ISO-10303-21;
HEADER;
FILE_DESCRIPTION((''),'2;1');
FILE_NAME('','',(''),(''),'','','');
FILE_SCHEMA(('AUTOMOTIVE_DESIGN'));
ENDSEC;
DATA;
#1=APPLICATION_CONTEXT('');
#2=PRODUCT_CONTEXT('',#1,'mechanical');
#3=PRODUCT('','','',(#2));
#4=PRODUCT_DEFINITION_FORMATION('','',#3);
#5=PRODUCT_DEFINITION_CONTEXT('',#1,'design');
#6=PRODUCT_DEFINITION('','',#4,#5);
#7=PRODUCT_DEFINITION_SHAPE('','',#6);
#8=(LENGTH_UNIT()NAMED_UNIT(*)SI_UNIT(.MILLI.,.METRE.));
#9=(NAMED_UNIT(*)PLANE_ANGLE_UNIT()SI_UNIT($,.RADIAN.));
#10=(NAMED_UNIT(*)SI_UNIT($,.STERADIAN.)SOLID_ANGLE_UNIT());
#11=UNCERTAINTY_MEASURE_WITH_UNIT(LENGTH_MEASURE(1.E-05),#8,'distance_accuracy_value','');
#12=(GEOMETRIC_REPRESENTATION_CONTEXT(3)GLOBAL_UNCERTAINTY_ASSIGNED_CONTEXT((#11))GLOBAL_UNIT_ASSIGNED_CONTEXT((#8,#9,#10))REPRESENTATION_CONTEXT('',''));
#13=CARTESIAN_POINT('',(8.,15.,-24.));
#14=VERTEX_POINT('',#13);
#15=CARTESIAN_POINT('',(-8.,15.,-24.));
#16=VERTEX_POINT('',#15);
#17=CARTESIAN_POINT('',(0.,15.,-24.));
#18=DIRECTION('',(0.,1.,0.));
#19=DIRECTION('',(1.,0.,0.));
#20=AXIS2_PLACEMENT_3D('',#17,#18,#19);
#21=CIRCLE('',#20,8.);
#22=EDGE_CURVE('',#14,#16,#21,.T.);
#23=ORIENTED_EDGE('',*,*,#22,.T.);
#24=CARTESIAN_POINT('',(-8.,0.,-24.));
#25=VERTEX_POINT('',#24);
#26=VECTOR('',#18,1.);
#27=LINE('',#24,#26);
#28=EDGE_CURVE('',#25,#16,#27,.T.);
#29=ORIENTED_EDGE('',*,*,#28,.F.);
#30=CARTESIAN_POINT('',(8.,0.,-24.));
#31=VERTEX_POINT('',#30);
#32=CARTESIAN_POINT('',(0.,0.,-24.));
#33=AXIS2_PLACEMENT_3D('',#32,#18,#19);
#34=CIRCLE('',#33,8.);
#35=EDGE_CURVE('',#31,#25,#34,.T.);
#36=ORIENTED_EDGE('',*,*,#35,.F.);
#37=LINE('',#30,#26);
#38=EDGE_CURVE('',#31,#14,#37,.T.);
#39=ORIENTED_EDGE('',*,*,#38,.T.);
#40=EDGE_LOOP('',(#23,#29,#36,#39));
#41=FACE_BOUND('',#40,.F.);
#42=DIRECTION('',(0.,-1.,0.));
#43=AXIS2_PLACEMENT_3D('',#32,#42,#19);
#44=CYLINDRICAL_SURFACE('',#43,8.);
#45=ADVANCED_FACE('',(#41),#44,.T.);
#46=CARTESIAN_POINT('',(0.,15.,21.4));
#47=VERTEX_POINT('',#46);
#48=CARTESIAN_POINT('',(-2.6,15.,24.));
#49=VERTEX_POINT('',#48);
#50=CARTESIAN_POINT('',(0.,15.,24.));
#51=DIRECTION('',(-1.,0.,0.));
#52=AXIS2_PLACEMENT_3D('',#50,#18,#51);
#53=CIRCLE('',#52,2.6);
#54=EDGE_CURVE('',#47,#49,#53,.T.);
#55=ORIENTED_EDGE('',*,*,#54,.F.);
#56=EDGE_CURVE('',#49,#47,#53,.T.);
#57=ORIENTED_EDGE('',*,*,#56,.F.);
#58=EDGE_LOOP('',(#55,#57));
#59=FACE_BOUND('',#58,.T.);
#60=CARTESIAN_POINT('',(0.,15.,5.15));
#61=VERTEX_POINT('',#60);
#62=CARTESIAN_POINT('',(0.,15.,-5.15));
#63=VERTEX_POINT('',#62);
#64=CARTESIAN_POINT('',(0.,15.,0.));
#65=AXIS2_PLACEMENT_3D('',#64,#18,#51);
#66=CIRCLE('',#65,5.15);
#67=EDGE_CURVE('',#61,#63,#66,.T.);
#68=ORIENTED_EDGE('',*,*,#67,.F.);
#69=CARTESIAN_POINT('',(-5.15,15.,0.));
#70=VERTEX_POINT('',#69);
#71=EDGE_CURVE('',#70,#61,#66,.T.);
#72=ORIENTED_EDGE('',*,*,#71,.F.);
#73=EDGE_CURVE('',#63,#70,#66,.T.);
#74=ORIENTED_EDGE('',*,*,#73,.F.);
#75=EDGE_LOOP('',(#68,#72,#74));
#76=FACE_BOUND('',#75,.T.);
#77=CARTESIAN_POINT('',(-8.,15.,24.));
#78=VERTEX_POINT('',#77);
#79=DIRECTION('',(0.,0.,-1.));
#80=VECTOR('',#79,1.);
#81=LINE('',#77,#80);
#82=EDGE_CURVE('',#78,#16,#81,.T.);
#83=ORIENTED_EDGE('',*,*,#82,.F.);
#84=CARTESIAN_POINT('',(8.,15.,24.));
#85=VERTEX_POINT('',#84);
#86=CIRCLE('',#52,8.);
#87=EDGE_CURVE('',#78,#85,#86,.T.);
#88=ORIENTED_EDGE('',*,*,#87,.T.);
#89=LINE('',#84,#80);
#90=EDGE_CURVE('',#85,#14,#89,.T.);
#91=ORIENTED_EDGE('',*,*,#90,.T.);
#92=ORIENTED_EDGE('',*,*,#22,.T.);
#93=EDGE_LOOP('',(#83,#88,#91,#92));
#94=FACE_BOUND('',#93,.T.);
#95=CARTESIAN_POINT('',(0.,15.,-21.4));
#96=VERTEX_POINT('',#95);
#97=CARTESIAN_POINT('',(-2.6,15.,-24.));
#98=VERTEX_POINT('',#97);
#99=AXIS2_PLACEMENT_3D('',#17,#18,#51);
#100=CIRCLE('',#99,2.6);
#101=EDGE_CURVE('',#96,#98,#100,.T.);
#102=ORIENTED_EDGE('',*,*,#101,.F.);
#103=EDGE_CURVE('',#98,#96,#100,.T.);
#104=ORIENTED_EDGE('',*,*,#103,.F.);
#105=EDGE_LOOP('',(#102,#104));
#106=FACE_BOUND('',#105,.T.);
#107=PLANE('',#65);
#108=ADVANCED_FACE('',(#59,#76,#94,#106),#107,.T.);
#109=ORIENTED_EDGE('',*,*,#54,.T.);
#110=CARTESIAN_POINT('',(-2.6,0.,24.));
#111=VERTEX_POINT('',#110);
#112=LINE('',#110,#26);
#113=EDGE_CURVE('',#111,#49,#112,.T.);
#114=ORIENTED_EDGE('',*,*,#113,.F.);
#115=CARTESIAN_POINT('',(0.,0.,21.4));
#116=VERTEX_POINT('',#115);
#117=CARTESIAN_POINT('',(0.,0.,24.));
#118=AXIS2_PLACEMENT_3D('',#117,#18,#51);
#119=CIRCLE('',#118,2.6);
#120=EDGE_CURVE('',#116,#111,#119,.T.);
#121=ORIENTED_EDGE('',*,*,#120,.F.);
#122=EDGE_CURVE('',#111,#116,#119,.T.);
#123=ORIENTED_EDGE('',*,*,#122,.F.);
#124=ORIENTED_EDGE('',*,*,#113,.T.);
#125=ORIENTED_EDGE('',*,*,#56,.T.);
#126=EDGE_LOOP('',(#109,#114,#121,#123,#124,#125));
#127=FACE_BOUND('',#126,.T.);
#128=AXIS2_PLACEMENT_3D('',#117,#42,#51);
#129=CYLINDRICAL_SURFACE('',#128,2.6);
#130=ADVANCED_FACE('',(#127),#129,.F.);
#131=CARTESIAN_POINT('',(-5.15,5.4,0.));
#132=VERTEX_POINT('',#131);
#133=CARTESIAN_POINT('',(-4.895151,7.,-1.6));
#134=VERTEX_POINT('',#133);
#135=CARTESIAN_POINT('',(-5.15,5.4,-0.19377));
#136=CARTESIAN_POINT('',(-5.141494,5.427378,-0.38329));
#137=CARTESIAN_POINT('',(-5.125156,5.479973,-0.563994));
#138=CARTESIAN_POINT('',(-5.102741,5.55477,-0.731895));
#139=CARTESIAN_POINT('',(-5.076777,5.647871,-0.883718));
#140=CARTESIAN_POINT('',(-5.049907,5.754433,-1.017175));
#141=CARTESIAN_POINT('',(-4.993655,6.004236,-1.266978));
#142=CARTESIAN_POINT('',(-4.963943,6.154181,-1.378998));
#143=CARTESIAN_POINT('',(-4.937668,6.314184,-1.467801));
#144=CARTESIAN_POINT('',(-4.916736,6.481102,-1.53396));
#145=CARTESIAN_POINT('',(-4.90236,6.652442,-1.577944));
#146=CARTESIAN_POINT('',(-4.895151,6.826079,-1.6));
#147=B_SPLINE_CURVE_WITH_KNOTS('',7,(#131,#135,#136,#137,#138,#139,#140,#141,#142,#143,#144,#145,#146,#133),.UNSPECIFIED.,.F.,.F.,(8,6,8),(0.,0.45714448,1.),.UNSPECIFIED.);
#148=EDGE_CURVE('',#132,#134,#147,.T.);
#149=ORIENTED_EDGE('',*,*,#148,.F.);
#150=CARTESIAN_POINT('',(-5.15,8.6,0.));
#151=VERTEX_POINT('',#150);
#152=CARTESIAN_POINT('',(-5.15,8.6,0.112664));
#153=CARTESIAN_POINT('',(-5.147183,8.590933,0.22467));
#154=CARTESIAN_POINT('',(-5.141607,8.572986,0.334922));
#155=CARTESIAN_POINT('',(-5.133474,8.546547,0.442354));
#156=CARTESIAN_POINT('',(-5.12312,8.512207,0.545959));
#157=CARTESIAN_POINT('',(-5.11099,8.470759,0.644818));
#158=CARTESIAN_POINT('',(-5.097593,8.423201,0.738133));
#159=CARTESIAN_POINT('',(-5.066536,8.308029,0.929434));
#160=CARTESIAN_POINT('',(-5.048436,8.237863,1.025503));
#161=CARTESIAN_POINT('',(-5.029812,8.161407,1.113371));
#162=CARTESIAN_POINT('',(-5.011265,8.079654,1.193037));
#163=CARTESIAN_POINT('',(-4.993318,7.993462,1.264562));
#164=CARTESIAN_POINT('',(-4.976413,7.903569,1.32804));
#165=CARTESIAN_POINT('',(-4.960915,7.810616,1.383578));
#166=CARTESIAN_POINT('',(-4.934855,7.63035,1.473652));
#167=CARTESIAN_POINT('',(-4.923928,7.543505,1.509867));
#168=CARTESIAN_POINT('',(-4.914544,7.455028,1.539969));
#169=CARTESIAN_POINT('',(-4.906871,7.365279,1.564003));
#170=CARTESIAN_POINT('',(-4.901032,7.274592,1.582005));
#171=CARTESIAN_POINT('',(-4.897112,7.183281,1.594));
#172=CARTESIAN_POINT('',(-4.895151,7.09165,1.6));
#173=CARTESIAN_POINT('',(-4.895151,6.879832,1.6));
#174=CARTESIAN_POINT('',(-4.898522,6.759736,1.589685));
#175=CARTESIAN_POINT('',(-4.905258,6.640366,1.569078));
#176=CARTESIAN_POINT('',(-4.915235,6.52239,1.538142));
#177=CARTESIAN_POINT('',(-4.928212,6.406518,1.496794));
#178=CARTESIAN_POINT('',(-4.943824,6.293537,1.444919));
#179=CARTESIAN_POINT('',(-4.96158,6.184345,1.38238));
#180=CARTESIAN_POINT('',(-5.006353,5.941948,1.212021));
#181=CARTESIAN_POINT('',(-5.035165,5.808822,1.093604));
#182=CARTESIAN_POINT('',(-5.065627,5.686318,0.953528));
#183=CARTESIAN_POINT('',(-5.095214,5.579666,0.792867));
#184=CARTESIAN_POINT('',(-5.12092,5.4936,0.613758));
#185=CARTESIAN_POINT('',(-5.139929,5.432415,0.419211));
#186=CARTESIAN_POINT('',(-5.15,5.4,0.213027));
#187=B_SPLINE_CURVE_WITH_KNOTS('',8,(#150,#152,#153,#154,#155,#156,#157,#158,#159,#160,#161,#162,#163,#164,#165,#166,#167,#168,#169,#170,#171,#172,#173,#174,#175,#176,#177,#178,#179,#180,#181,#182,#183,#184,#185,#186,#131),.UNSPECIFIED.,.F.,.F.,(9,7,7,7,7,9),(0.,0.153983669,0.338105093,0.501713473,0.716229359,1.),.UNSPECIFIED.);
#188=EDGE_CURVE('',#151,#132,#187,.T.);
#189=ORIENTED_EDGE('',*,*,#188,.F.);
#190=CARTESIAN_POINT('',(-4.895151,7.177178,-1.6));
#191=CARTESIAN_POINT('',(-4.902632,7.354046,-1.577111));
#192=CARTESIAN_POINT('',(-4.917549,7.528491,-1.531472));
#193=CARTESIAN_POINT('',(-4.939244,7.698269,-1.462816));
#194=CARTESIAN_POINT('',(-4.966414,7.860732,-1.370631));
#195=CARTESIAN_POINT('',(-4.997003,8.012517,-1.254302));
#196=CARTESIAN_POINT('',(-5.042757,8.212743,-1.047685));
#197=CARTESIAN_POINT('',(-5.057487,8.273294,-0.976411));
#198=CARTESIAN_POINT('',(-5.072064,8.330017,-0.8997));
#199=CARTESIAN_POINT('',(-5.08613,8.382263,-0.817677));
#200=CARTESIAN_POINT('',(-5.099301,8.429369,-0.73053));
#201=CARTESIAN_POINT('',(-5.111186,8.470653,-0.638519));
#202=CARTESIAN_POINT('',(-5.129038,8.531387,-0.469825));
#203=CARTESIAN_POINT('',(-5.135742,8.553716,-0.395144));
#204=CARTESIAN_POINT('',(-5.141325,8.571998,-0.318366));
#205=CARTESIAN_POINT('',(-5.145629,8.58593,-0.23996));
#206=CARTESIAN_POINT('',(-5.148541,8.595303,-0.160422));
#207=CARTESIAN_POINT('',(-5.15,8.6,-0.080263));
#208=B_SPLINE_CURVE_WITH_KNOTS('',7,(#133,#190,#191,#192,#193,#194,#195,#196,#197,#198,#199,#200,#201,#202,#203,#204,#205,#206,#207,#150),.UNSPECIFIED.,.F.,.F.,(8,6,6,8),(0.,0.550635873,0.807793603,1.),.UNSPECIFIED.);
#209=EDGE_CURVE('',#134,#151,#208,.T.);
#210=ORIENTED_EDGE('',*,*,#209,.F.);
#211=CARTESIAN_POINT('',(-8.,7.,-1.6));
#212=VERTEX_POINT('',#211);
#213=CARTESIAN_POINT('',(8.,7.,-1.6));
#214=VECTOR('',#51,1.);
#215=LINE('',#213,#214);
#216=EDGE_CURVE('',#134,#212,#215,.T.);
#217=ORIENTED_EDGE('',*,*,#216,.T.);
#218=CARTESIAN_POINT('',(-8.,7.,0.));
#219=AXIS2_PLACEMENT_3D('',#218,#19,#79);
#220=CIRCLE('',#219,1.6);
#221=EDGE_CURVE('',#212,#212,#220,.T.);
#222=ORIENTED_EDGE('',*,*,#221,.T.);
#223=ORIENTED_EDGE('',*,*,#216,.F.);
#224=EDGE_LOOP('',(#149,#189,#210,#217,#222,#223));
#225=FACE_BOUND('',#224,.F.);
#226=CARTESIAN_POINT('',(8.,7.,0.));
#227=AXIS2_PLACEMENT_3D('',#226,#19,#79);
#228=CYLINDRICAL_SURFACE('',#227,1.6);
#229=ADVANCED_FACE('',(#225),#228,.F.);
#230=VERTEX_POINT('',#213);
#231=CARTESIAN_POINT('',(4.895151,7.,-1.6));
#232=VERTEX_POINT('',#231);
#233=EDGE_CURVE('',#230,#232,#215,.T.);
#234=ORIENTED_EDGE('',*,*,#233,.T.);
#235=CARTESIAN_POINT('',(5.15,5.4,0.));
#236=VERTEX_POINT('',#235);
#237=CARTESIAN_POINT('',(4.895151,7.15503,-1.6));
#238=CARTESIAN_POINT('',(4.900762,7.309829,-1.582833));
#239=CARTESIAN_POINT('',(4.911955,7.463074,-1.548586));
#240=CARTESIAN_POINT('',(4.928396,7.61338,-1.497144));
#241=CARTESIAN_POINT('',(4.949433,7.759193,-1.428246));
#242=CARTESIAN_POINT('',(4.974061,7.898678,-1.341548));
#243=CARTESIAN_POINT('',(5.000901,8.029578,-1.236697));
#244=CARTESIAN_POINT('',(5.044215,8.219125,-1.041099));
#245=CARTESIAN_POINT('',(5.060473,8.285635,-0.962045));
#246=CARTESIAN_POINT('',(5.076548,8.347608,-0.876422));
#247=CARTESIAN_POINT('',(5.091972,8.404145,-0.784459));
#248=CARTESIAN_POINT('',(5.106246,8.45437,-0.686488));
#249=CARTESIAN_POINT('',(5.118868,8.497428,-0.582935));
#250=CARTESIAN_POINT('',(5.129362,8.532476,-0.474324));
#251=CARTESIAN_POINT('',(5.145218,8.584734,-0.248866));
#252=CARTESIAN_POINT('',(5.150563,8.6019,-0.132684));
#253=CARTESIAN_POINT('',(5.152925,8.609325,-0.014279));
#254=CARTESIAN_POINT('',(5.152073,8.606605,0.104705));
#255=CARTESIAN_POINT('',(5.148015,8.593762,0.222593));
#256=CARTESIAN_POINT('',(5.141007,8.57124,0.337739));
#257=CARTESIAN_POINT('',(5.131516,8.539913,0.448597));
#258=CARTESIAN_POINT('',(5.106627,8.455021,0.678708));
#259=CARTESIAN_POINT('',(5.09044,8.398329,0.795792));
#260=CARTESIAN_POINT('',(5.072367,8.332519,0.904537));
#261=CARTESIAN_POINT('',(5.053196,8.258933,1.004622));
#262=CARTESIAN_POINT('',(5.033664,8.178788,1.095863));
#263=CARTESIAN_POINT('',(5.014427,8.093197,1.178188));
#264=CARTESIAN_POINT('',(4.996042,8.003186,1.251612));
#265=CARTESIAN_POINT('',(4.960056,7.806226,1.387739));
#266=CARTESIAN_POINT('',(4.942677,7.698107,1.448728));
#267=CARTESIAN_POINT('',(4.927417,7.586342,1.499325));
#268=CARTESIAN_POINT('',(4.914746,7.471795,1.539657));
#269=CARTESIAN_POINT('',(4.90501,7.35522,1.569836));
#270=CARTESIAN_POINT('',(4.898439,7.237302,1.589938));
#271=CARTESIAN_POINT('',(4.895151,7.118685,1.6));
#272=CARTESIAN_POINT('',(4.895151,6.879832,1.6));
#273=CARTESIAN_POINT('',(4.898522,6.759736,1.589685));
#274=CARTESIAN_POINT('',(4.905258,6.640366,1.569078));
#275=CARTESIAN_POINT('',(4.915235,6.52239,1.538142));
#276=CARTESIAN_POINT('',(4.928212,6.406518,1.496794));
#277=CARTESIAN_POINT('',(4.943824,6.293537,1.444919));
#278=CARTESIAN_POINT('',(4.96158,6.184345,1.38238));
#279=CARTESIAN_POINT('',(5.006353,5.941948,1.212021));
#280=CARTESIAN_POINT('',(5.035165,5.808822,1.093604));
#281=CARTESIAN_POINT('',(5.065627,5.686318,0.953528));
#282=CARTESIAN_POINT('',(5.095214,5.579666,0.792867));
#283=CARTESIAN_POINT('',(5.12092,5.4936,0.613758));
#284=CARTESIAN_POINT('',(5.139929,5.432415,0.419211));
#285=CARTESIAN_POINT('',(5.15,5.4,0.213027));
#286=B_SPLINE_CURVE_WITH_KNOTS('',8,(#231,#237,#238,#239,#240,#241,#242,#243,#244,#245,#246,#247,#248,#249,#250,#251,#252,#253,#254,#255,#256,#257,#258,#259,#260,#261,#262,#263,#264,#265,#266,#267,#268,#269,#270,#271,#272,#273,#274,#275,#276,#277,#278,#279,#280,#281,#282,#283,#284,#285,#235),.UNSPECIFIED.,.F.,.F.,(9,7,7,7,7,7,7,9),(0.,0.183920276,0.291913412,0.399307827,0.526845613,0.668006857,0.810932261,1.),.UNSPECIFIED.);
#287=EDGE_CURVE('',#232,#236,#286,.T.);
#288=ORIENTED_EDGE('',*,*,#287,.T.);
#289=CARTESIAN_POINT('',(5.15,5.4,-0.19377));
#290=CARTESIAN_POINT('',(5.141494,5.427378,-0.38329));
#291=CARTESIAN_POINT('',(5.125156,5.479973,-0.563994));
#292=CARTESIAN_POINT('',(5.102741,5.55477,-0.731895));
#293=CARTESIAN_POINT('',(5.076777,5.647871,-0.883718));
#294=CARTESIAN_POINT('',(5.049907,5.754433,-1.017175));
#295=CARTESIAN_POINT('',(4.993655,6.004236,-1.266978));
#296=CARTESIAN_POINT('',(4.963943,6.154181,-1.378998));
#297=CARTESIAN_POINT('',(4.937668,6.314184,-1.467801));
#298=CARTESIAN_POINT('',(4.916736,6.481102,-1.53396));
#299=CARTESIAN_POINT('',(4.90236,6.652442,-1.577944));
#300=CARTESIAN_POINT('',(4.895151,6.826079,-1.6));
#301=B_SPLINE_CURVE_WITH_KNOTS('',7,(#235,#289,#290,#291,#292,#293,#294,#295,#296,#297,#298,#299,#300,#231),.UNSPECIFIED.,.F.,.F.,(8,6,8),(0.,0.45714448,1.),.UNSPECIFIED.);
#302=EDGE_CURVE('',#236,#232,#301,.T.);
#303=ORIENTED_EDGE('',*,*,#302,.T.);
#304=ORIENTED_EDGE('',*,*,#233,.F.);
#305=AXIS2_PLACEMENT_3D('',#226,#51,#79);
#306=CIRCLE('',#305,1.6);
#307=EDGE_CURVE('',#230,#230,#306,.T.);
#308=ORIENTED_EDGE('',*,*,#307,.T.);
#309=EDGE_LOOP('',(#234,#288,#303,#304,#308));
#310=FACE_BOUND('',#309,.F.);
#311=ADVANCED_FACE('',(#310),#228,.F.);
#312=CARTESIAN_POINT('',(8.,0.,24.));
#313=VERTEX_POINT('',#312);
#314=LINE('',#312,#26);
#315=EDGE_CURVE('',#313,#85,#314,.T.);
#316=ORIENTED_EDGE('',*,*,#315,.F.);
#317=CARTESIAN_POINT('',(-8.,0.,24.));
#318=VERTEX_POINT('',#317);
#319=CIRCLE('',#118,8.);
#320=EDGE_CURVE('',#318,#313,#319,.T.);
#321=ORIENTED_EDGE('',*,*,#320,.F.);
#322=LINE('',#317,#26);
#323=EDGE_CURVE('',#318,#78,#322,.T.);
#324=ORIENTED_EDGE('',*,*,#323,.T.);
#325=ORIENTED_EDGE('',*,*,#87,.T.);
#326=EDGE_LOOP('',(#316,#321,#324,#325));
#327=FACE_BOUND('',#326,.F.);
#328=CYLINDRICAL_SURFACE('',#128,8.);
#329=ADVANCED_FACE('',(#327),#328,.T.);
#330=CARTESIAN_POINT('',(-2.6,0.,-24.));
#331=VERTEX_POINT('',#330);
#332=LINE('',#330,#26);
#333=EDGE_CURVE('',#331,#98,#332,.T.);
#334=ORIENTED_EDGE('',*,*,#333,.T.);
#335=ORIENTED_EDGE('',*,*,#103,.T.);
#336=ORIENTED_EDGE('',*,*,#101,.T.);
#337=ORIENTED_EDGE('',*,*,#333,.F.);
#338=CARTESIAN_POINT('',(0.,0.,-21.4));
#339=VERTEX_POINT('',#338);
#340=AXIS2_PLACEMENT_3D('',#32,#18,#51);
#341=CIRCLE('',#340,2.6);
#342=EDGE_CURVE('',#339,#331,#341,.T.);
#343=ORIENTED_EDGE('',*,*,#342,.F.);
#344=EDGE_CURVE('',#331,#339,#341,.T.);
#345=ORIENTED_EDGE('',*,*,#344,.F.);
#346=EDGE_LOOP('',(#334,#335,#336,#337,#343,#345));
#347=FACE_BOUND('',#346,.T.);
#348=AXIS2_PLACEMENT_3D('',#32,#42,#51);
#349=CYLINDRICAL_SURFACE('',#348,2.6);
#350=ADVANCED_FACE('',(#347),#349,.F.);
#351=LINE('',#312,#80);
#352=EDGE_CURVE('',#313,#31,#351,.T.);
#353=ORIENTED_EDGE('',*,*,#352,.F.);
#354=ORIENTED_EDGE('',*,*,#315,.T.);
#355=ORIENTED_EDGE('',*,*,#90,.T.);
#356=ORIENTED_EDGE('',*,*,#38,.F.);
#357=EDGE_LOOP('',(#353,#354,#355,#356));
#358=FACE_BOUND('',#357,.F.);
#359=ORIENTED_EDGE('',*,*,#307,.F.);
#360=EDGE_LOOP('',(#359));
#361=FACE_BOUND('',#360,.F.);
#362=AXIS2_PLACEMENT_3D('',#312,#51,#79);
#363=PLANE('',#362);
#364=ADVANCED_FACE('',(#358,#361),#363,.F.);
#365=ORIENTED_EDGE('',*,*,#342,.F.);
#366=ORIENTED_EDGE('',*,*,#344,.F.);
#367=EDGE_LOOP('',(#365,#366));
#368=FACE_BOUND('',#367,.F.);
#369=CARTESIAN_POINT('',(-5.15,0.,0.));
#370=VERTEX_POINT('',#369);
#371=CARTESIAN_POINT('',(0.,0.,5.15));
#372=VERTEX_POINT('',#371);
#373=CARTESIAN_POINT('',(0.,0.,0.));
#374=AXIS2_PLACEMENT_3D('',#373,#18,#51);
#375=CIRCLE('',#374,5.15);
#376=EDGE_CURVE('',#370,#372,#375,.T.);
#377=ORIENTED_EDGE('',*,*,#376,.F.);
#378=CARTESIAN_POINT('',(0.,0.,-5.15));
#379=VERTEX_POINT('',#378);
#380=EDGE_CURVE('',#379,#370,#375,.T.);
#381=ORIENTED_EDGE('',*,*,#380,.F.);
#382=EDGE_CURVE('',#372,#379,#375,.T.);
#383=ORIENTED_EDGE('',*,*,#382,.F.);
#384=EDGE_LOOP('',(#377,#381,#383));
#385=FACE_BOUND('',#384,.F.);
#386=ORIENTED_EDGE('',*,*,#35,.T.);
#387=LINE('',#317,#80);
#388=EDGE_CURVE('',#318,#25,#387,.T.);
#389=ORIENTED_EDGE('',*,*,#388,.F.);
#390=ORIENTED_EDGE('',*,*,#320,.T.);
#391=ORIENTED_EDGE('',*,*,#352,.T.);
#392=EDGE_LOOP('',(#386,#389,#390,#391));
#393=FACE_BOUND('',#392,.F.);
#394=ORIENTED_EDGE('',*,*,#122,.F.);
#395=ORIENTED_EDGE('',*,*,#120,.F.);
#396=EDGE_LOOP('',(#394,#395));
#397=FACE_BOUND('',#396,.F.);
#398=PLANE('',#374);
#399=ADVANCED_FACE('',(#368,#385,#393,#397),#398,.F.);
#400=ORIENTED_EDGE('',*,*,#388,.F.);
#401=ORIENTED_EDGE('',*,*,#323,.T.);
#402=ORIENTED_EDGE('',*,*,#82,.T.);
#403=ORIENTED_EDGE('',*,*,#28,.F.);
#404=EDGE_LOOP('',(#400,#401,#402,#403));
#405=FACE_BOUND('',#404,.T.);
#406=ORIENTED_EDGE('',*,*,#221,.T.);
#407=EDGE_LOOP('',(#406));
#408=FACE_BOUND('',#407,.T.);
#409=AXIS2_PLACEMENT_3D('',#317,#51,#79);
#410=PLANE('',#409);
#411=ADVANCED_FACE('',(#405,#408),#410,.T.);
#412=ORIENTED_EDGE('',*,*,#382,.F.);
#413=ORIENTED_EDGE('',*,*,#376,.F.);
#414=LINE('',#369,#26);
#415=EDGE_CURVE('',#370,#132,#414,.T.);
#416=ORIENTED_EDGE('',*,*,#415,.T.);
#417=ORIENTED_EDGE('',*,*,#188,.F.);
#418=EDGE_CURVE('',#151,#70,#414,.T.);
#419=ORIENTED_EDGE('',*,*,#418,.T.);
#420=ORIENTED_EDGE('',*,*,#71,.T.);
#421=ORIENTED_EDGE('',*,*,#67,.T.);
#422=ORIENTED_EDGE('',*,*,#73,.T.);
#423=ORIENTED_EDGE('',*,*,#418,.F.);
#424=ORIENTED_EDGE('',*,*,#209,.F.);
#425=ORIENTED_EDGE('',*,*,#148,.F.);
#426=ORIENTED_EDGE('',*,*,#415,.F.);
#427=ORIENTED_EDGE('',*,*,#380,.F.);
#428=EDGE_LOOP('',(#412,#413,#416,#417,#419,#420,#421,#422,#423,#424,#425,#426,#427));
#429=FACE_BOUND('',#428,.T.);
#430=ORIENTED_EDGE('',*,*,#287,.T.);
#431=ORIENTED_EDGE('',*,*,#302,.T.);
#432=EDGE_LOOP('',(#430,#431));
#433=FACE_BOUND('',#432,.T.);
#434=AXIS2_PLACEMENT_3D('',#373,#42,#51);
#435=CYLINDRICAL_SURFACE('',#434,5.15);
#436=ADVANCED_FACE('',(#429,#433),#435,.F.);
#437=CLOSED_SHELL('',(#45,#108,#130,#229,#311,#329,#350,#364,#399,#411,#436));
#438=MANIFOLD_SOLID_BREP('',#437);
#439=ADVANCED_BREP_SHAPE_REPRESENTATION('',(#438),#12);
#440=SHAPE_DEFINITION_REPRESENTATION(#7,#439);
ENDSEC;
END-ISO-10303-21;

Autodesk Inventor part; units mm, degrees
ref_plane "YZ Plane" through (0, 0, 0) normal (1, 0, 0) x (0, 1, 0)
ref_plane "XZ Plane" through (0, 0, 0) normal (0, 1, 0) x (-1, 0, 0)
ref_plane "XY Plane" through (0, 0, 0) normal (0, 0, 1) x (1, 0, 0)
sketch "Sketch1" plane through (0, 0, 0) normal (0, 1, 0) x (-1, 0, 0)
  circle A0 centre (0, 0) radius 3.15
  circle A1 centre (0, 0) radius 5.15
  line L0 (0, 0) -> (0, -24)
  line L1 (0, 0) -> (0, 24)
  circle A2 centre (0, 24) radius 2.6
  circle A3 centre (0, -24) radius 2.6
  line L2 (8, 24) -> (8, -24)
  line L3 (-8, 24) -> (-8, -24)
  circle A4 centre (0, 24) radius 4
  circle A5 centre (0, -24) radius 4
  line L4 (4, 17.0718) -> (4, 6.9282)
  line L5 (-4, 17.0718) -> (-4, 6.9282)
  line L6 (4, -17.0718) -> (4, -6.9282)
  line L7 (-4, -17.0718) -> (-4, -6.9282)
  arc A6 (-8, -24) -> (8, -24) centre (0, -24) ccw
  arc A7 (4, -17.0718) -> (-4, -17.0718) centre (0, -24) ccw
  arc A8 (8, 24) -> (-8, 24) centre (0, 24) ccw
  arc A9 (-4, 17.0718) -> (4, 17.0718) centre (0, 24) ccw
  arc A10 (4, 6.9282) -> (-4, 6.9282) centre (0, 0) ccw
  arc A11 (-4, -6.9282) -> (4, -6.9282) centre (0, 0) ccw
  dimension "d0" = 6.3
  dimension "d5" = 10.3
  dimension "d15" = 24
  dimension "d16" = 24
  dimension "d17" = 5.2
  dimension "d18" = 5.2
  dimension "d22" = 8
  dimension "d23" = 8
extrude "Extrusion3" add sketch "Sketch1" along normal blind 15 contours A5 | A11 L6 A7 L0 | L0 A7 L7 A11 | A4 | A10 L5 A9 L1 | L1 A9 L4 A10 | L2 A6 L3 A8
sketch "Sketch3" plane through (8, 0, 24) normal (1, 0, 0) x (0, 0, -1)
  line L0 (24, 0) -> (24, 7)
  circle A0 centre (24, 7) radius 1.6
  dimension "d26" = 7
  dimension "d27" = 3.2
extrude "Extrusion4" cut sketch "Sketch3" against normal blind 30
properties part number "throwing_motor_support"
